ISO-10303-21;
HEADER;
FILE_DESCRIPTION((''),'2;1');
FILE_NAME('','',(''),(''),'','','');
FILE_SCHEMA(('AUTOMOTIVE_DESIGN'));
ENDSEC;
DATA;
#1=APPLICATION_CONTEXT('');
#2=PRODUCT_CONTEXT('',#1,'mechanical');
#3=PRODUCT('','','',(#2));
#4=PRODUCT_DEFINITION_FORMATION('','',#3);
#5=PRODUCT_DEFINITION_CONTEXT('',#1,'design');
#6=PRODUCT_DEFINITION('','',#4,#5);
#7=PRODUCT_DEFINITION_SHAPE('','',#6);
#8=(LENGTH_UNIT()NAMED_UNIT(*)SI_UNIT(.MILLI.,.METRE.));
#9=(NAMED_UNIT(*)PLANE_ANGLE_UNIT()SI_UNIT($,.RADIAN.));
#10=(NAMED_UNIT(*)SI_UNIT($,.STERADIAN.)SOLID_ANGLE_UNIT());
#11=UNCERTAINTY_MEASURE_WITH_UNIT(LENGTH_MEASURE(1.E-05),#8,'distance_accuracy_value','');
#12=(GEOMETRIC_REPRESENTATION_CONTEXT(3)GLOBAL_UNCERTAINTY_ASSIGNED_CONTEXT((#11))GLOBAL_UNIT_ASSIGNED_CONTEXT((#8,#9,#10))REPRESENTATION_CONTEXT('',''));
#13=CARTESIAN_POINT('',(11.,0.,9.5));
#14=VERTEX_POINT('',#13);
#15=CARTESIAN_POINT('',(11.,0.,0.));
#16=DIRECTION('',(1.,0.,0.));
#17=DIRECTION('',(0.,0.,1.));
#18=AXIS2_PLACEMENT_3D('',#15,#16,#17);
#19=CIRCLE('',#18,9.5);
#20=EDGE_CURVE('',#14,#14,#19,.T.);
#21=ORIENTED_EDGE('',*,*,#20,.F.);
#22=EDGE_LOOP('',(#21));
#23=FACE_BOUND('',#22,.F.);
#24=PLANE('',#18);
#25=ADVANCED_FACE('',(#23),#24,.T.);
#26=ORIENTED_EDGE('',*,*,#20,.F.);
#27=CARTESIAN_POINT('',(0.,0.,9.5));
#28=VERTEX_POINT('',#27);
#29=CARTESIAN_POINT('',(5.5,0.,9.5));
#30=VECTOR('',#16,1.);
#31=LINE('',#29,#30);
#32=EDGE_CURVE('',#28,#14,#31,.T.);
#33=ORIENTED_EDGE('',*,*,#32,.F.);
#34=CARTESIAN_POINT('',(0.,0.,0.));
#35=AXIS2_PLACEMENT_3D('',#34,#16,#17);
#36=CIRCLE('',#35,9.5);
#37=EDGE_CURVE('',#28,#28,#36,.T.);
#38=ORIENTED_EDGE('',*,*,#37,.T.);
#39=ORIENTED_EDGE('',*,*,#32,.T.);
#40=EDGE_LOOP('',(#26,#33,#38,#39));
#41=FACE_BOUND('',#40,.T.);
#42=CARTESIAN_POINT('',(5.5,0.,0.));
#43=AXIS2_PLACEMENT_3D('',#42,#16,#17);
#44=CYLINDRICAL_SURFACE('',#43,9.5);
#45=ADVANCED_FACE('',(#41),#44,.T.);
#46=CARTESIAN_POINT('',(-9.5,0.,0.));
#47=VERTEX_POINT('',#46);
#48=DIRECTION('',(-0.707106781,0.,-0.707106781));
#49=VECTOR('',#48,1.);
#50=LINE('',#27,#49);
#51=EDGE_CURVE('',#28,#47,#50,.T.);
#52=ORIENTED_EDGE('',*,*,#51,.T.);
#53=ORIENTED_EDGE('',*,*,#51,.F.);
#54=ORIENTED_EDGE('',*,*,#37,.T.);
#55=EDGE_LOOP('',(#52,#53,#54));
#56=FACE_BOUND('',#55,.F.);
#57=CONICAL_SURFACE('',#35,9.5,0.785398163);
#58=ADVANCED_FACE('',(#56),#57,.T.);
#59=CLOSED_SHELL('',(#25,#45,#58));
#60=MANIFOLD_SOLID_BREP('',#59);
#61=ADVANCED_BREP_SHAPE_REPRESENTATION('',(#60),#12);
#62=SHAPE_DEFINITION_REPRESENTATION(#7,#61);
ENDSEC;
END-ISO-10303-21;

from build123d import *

# Parameters (mm, degrees)
F0_W = 11
F0_H = 9.5


with BuildPart() as f1:
    # F0 (on Front) → F1 (revolve)
    with BuildSketch(Plane.XZ):
        Polygon((-9.5, 0), (0, 0), (0, 9.5), align=None)
        with Locations((5.5, 4.75)):
            Rectangle(F0_W, F0_H)
    revolve(axis=Axis((2.937831, 0, 0), (1, 0, 0)))


solid = f1.part
